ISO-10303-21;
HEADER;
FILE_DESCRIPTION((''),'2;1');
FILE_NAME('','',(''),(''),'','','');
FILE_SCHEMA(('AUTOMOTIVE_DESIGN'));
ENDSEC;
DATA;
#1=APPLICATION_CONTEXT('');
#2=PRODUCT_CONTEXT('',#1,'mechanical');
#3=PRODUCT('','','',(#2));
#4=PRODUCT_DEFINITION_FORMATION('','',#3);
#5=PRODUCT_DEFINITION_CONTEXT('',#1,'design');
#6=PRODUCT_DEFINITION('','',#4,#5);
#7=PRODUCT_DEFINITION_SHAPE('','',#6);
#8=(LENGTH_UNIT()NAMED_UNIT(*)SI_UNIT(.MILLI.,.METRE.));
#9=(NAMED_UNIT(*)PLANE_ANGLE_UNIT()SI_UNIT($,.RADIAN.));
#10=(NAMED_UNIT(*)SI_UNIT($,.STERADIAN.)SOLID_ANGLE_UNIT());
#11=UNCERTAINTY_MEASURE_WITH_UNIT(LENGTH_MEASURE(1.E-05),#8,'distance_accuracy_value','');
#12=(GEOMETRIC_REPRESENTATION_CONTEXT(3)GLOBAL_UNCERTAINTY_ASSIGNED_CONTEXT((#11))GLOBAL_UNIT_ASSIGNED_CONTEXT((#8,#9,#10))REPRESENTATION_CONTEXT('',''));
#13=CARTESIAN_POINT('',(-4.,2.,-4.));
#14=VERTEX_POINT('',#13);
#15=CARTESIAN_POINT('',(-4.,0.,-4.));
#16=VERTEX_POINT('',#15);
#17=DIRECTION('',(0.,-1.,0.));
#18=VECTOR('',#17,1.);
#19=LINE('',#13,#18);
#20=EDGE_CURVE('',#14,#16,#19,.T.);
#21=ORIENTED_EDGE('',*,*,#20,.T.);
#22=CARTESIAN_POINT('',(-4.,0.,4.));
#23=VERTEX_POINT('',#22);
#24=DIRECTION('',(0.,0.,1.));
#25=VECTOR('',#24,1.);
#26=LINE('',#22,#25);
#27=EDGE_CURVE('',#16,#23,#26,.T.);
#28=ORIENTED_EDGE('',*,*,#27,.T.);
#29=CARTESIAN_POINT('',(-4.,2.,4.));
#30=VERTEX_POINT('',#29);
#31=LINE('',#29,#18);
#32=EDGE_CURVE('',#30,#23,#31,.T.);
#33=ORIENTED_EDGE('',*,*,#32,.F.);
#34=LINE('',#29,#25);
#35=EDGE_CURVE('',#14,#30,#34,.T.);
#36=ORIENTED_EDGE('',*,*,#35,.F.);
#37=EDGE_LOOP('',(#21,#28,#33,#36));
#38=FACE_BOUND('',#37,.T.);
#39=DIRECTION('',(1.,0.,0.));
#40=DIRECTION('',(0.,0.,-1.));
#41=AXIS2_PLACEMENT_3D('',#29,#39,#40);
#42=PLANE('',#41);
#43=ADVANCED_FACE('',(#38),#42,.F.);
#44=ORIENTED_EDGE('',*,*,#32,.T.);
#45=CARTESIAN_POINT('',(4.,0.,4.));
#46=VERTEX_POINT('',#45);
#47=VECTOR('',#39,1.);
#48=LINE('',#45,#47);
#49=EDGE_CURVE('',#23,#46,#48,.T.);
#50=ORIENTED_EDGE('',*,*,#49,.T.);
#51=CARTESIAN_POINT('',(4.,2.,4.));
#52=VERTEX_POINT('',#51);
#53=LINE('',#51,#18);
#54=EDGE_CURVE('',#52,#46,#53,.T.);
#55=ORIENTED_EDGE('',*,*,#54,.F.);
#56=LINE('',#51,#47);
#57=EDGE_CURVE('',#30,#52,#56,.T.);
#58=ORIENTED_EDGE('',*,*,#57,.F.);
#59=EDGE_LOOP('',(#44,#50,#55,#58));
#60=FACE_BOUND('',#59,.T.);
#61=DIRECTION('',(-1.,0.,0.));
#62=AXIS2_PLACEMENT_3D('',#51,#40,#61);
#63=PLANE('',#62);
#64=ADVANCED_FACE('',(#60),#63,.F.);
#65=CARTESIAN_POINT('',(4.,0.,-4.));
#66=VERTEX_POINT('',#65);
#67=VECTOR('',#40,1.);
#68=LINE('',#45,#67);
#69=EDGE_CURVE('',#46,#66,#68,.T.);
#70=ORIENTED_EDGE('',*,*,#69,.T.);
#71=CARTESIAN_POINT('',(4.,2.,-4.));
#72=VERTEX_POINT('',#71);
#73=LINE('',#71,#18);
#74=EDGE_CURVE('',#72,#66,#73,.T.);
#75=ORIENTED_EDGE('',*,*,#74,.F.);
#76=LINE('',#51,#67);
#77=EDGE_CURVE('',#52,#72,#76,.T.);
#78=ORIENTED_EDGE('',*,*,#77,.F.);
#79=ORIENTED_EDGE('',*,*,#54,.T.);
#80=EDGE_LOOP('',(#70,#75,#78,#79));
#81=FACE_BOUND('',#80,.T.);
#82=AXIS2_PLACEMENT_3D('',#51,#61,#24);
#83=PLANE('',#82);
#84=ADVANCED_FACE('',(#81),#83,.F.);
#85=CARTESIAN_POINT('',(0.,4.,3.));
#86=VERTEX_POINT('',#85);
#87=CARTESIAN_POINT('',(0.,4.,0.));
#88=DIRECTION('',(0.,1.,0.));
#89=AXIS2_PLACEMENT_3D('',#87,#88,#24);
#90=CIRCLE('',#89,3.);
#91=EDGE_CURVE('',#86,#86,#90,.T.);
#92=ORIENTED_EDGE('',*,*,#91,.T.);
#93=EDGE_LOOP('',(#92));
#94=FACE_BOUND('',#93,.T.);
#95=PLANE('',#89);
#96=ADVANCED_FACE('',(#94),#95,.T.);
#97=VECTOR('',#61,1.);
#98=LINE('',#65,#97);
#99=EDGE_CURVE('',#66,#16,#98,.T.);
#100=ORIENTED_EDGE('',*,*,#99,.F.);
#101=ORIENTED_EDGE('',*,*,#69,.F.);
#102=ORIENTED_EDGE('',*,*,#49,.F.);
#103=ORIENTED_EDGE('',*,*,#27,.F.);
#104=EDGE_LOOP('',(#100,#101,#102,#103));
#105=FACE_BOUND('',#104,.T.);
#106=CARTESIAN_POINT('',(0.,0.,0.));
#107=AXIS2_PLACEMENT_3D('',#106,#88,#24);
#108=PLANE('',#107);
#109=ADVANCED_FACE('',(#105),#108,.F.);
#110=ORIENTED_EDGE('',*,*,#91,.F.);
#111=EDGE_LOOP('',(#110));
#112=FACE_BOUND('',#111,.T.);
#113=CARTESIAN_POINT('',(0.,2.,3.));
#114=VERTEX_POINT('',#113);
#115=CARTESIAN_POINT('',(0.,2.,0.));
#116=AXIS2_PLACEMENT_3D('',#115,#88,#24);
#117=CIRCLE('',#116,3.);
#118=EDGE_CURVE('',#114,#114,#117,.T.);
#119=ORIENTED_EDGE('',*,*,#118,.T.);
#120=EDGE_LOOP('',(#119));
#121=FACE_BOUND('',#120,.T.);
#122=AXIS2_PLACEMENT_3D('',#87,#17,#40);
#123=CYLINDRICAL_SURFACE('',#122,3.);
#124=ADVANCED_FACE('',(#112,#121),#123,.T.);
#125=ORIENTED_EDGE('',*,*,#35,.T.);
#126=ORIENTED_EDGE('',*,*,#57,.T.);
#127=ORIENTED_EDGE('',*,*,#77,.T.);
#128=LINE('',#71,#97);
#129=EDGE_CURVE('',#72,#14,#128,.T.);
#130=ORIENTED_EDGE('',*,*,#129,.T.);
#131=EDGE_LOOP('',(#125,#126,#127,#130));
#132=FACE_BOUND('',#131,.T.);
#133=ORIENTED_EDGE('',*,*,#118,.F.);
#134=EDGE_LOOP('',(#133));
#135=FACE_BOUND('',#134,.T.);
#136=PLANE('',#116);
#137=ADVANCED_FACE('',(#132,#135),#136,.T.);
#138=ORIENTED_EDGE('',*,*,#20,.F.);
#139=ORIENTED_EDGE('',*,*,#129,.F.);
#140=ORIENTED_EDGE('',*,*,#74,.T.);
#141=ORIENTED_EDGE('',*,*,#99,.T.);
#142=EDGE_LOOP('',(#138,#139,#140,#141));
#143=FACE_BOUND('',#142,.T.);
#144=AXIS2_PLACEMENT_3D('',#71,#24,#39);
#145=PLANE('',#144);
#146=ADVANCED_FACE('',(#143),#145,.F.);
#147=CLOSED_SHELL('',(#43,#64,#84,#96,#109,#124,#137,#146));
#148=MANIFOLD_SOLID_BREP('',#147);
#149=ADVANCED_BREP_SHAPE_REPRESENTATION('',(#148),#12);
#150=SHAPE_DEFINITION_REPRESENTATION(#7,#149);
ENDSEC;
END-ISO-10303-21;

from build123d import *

# Parameters (mm, degrees)
SKETCH_1_W      = 8
SKETCH_1_H      = 8
EXTRUDE_1_DEPTH = 2
SKETCH_2_R      = 3
EXTRUDE_2_DEPTH = 2


with BuildPart() as part:
    # 草图1 → 凸台-拉伸1 (new body)
    with BuildSketch(Plane(origin=(0, 0, 0), x_dir=(1, 0, 0), z_dir=(0, 1, 0))):
        Rectangle(SKETCH_1_W, SKETCH_1_H)
    extrude(amount=EXTRUDE_1_DEPTH)

    # 草图2 → 凸台-拉伸2 (add)
    with BuildSketch(Plane(origin=(0, 2, 0), x_dir=(1, 0, 0), z_dir=(0, 1, 0))):
        Circle(SKETCH_2_R)
    extrude(amount=EXTRUDE_2_DEPTH)


solid = part.part
